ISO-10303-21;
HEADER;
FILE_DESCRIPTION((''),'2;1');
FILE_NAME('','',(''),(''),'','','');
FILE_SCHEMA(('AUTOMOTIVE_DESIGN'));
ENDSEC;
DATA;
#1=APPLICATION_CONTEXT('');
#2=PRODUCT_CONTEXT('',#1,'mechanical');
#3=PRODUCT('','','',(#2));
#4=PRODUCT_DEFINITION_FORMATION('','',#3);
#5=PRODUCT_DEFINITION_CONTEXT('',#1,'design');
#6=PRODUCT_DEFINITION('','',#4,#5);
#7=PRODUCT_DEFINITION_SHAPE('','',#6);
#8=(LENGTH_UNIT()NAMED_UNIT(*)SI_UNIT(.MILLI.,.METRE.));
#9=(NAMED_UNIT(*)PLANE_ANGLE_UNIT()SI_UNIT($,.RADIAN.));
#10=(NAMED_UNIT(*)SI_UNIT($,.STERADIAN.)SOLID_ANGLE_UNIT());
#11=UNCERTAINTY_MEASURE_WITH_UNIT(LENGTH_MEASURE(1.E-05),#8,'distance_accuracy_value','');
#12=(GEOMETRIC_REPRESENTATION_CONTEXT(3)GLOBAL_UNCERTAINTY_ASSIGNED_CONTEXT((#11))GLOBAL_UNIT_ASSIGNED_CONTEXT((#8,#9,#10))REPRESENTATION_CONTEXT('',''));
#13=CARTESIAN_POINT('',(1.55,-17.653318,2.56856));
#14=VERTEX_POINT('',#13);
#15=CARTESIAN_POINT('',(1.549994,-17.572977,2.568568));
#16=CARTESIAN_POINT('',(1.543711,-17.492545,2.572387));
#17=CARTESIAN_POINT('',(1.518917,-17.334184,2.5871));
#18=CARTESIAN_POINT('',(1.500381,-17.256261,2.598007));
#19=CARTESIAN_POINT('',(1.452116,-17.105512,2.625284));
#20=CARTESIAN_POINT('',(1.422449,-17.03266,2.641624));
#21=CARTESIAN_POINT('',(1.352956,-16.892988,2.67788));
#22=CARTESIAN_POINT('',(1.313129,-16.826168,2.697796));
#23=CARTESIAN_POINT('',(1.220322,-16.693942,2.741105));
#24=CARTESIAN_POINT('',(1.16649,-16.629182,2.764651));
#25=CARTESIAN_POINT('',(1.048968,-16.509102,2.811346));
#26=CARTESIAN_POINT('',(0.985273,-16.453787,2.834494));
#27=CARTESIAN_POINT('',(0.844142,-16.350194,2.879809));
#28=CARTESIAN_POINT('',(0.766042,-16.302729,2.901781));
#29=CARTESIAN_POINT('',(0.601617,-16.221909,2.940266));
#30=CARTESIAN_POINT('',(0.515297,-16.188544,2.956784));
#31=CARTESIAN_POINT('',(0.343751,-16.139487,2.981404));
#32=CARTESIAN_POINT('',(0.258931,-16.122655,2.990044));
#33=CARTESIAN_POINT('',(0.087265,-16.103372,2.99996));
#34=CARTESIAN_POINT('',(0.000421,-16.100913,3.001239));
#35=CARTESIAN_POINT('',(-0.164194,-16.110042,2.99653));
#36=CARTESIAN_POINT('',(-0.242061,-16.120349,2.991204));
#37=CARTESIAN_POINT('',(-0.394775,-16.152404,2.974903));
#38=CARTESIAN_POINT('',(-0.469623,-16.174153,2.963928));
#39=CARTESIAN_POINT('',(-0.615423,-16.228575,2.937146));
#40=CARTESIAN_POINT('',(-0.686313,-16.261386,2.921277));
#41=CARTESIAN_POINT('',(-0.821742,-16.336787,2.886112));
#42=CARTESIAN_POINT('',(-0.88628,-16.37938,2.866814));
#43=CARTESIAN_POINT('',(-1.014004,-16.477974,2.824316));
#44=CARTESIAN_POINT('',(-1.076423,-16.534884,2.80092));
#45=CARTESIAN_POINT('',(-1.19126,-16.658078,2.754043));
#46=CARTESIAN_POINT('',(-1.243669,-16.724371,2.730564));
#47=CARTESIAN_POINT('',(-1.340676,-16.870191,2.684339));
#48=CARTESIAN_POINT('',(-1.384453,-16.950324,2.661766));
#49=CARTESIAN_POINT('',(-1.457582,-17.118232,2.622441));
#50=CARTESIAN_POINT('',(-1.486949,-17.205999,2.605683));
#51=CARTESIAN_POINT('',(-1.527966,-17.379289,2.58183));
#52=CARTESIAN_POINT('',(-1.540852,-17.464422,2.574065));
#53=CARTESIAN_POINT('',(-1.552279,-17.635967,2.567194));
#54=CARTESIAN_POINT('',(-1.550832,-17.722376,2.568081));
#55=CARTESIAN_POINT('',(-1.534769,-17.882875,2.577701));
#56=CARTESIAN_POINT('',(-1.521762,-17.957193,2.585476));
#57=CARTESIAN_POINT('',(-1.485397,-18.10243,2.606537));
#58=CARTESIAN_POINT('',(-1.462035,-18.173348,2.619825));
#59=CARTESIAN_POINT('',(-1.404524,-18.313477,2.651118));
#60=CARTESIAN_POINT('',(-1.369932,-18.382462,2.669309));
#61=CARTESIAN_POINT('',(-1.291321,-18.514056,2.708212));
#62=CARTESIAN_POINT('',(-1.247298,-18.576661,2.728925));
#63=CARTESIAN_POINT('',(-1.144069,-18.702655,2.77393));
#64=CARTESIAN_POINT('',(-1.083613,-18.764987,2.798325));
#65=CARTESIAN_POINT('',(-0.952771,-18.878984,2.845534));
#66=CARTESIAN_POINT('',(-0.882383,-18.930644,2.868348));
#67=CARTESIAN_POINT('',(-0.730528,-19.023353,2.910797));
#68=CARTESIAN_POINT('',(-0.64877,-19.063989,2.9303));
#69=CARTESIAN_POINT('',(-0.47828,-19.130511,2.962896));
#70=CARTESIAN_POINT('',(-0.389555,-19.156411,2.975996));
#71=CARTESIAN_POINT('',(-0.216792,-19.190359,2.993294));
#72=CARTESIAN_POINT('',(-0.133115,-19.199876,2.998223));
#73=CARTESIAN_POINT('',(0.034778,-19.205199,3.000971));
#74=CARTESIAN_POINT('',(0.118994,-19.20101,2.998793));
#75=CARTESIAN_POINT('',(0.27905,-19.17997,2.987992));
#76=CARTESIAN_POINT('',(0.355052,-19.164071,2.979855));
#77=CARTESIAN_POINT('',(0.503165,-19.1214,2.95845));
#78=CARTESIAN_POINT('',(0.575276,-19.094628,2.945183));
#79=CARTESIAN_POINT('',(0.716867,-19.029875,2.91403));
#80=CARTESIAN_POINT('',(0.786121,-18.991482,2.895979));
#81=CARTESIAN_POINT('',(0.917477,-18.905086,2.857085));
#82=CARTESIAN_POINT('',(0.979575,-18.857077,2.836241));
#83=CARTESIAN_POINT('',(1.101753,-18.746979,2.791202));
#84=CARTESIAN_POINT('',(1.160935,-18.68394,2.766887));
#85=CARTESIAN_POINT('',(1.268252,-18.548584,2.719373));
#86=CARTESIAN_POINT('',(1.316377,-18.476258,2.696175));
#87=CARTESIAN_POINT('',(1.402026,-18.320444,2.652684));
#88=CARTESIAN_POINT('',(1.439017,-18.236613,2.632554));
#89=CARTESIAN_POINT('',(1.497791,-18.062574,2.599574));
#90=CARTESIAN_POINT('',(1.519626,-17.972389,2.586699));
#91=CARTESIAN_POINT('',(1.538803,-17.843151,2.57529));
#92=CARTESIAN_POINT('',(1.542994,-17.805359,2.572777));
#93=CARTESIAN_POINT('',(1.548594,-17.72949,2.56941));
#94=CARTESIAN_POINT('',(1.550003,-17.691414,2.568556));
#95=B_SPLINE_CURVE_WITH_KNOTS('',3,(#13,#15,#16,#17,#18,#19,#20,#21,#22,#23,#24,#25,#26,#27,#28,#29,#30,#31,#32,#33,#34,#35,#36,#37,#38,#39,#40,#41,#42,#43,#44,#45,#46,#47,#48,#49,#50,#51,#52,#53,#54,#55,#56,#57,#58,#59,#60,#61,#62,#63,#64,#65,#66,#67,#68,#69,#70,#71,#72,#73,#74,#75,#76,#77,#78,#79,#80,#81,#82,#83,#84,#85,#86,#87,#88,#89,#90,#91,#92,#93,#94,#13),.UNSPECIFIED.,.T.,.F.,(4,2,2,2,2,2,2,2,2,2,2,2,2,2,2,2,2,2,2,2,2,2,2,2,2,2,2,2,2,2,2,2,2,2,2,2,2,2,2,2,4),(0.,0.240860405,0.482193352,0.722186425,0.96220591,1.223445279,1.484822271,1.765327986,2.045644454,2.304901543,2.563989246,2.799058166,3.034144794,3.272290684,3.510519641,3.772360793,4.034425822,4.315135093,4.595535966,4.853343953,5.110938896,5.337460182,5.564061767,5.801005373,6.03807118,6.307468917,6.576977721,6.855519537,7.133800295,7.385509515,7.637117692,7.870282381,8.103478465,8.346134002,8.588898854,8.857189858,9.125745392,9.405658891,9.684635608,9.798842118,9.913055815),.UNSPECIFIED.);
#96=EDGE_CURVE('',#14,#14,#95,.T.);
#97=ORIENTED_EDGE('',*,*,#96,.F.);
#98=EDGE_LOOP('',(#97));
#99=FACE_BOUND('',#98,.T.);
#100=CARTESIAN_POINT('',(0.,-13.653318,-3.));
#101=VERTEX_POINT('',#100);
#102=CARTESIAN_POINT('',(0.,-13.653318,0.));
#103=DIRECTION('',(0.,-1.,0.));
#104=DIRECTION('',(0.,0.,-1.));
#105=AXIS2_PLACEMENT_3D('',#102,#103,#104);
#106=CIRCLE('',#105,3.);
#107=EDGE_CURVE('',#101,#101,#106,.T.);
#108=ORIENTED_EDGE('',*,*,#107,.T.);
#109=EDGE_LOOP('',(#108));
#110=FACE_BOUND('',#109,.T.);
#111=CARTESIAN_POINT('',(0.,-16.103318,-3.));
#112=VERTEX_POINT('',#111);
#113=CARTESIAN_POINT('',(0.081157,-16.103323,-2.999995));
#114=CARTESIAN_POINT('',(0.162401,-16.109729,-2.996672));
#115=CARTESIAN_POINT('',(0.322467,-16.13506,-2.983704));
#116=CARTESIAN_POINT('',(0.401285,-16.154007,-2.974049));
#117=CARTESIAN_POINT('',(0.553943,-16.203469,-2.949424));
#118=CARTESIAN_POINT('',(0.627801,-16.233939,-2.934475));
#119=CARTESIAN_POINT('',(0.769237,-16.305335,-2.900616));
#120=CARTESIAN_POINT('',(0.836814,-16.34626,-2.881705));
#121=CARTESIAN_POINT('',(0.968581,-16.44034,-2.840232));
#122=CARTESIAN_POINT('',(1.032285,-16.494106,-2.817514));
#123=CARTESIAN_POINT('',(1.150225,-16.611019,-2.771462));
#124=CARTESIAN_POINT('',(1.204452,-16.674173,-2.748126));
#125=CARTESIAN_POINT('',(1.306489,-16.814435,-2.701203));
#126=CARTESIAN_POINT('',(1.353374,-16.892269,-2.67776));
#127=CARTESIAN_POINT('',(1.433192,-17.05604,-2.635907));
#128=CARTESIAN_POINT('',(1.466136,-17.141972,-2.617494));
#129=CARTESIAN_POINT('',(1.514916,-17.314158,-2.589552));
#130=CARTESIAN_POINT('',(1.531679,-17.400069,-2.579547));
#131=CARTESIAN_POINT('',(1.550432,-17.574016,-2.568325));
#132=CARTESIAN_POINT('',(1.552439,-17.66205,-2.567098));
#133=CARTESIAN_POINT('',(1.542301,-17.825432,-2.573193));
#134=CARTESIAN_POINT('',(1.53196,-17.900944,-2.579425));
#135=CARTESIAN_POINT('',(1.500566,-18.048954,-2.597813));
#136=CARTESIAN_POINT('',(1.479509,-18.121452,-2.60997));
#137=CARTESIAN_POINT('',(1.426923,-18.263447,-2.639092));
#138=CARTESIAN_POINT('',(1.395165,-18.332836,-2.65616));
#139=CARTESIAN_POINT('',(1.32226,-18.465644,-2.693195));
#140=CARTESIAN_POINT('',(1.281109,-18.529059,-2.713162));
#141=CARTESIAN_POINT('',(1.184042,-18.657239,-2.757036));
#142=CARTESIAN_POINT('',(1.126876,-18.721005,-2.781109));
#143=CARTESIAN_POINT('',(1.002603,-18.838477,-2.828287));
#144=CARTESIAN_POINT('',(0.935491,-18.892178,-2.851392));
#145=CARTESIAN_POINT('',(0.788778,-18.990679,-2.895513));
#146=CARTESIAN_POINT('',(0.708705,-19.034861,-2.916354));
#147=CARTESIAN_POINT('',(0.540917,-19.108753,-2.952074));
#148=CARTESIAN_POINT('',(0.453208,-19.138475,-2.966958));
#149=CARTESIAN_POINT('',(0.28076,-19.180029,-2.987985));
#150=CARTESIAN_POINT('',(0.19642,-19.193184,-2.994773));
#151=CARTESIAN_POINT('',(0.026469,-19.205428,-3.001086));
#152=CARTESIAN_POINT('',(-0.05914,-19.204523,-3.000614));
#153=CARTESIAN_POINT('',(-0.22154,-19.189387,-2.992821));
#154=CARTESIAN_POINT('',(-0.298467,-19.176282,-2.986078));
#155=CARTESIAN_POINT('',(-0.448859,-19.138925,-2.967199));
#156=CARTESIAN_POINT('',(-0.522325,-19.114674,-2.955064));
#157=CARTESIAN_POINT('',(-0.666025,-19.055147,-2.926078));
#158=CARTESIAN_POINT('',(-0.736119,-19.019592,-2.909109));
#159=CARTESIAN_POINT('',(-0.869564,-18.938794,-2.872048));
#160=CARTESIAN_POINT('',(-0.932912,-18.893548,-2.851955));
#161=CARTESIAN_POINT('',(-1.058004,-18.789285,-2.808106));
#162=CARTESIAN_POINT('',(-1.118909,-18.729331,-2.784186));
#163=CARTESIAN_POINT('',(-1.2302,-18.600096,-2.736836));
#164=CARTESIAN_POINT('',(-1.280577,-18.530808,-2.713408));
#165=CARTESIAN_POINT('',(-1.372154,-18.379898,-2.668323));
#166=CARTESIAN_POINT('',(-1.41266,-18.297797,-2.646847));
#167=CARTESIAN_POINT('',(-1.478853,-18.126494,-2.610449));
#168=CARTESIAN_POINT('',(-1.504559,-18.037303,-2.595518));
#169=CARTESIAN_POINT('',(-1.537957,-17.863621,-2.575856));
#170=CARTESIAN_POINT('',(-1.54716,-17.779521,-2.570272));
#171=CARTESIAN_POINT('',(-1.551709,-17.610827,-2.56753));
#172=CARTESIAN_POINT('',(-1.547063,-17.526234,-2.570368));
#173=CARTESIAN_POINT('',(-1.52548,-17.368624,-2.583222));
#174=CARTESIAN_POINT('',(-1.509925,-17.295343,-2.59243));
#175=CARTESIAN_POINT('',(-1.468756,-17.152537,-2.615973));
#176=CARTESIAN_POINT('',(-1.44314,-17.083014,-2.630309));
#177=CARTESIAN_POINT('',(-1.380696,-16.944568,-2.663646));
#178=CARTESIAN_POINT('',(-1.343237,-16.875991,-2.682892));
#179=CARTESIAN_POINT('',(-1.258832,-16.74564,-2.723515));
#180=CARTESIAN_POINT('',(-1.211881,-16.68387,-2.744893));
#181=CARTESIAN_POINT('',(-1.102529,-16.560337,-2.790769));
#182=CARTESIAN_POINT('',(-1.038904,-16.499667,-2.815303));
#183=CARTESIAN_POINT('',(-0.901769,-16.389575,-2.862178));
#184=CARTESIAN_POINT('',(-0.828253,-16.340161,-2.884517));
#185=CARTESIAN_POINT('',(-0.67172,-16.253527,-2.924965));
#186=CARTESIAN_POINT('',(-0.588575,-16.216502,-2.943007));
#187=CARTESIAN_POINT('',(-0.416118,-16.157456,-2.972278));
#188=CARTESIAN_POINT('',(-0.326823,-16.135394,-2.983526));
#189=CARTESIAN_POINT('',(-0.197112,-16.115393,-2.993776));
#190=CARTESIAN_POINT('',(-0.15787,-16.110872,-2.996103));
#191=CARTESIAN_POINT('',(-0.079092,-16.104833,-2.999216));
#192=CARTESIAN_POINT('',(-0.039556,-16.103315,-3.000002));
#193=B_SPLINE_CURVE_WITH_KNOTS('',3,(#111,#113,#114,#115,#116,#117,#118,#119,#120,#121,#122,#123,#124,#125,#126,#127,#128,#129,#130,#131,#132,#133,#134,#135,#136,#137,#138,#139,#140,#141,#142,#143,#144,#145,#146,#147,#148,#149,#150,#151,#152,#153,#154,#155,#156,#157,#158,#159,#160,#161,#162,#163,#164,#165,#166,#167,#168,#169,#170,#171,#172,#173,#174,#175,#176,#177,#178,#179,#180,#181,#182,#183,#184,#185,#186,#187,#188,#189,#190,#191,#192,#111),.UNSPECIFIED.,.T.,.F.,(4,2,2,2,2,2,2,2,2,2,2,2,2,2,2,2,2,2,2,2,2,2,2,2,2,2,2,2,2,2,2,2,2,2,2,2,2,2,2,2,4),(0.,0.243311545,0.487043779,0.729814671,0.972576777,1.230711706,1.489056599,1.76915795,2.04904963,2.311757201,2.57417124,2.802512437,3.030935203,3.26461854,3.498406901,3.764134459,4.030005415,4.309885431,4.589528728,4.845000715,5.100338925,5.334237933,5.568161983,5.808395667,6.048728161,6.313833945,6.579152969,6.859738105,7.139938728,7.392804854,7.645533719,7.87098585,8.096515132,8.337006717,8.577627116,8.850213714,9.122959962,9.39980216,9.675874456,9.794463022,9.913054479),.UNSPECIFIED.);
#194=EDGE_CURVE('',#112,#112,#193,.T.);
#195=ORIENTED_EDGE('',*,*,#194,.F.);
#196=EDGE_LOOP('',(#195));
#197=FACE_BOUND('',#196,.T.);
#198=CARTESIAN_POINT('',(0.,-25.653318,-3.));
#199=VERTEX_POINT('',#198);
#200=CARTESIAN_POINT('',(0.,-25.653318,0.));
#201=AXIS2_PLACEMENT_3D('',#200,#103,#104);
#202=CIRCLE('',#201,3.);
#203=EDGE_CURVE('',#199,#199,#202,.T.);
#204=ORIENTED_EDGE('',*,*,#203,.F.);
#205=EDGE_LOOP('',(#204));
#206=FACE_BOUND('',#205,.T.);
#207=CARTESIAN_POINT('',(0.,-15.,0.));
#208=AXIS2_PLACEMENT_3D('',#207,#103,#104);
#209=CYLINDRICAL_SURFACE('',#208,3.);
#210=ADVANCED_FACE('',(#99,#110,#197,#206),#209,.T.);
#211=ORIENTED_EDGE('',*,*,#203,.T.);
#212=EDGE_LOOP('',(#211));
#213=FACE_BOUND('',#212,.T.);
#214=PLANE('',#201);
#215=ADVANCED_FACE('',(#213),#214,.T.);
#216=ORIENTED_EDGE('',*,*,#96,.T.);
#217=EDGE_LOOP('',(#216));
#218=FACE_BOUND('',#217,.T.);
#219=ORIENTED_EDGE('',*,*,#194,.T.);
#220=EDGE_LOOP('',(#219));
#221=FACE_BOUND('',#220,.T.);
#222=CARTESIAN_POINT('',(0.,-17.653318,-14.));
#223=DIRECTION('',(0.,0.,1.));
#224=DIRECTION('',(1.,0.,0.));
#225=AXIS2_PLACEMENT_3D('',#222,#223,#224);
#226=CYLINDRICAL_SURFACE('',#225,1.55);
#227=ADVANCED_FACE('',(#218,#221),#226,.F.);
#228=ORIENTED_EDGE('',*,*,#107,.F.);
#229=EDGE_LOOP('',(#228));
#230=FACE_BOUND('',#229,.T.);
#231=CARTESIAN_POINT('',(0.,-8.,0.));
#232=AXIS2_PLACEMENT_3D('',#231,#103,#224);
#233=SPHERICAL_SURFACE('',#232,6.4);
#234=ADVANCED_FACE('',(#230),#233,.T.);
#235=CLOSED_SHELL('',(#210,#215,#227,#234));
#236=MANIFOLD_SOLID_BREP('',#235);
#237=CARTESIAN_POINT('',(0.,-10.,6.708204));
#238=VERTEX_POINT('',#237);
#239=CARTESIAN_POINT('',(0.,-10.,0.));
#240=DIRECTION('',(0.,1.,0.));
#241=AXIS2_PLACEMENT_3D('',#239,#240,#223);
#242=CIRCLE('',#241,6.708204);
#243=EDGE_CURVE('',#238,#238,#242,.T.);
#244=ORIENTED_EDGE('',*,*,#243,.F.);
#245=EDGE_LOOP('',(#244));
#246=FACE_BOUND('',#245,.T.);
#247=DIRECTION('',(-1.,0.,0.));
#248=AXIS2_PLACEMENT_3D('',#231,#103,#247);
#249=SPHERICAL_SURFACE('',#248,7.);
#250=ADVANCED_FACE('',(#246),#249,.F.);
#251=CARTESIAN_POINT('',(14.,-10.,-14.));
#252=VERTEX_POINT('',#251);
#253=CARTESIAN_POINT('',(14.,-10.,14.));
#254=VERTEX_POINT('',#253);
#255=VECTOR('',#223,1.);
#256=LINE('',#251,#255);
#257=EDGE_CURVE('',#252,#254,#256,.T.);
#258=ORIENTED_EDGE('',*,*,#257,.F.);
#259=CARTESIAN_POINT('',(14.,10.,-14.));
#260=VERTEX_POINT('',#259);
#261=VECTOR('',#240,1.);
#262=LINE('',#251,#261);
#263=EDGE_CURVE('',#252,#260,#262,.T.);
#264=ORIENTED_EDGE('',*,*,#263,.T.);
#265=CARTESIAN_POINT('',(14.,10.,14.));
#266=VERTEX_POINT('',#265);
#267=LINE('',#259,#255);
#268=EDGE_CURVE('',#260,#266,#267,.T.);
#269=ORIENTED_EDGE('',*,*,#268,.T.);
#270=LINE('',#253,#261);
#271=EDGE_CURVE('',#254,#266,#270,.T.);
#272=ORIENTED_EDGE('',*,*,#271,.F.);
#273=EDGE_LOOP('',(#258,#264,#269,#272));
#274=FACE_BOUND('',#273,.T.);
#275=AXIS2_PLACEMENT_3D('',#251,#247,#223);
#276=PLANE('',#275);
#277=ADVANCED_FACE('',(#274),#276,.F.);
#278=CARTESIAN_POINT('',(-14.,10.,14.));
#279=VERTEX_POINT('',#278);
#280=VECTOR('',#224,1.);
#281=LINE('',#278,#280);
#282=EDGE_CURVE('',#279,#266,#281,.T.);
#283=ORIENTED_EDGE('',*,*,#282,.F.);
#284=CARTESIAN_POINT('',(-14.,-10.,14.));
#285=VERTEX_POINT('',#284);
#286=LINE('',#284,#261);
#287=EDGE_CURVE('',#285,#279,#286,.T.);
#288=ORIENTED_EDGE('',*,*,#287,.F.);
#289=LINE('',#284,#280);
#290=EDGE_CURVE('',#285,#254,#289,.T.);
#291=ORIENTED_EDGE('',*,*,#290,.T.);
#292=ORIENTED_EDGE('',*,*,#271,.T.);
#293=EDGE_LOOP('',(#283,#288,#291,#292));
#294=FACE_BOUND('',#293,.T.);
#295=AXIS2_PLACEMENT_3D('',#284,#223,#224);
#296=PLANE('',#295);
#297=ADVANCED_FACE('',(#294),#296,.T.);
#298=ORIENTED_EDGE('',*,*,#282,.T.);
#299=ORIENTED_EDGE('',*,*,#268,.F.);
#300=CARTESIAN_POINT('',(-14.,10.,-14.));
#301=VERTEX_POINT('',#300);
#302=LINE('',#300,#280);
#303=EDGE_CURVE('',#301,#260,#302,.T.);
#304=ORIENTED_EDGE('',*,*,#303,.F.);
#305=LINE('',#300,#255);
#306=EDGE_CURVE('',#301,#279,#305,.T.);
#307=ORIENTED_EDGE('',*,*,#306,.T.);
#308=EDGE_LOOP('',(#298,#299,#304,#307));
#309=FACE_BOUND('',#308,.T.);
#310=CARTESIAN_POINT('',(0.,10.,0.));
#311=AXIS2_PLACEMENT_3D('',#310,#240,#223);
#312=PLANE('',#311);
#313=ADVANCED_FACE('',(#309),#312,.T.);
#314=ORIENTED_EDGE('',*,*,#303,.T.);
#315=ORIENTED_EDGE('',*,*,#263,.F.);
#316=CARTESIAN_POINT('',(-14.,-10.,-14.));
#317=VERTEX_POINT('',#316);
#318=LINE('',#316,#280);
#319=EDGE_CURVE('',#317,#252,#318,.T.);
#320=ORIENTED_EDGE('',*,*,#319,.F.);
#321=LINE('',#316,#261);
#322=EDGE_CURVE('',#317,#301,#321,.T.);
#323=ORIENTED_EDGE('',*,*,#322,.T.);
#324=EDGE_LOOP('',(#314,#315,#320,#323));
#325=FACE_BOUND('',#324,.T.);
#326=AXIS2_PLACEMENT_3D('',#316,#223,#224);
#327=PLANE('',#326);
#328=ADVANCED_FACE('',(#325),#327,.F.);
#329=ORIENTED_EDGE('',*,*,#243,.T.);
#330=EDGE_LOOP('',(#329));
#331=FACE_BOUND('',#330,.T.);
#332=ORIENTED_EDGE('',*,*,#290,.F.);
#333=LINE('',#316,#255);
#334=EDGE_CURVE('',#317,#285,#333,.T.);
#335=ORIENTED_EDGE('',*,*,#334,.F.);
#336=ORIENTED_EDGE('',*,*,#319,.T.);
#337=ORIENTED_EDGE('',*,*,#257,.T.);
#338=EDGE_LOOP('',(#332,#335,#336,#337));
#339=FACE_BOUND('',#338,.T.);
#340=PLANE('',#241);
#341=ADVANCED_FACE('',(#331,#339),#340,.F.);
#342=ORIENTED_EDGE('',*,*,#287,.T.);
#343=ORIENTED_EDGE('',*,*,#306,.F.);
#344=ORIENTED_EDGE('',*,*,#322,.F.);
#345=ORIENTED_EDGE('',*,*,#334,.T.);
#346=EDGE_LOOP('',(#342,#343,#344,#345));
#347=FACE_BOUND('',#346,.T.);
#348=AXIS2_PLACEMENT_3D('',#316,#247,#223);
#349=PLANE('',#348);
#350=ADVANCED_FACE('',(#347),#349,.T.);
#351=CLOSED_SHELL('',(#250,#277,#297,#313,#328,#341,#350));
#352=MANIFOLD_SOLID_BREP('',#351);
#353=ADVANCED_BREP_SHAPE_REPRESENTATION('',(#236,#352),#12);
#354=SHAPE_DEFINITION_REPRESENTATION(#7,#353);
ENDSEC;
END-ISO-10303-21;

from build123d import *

# Parameters (mm, degrees)
SKETCH1_W               = 28
SKETCH1_H               = 28
BOSS_EXTRUDE1_DEPTH     = 10
CUT_EXTRUDE1_DEPTH      = 41.473357958
CUT_EXTRUDE1_DEPTH_BACK = 41.473357958
SKETCH4_R               = 1.55


with BuildPart() as part:
    # Sketch1 → Boss-Extrude1 (new, symmetric)
    with BuildSketch(Plane(origin=(0, 0, 0), x_dir=(1, 0, 0), z_dir=(0, 1, 0))):
        Rectangle(SKETCH1_W, SKETCH1_H)
    extrude(amount=BOSS_EXTRUDE1_DEPTH, both=True)

    # Sketch2 → Cut-Revolve1 (revolve, cut)
    with BuildSketch(Plane.XY):
        with BuildLine():
            Line((0, -15), (0, -1))
            ThreePointArc((0, -1), (7, -8), (0, -15))
        make_face()
    revolve(axis=Axis((0, -15, 0), (0, 1, 0)), mode=Mode.SUBTRACT)


with BuildPart() as body_2:
    # Sketch3 → Revolve1 (revolve)
    with BuildSketch(Plane.XY, mode=Mode.PRIVATE) as revolve1_sk:
        with BuildLine():
            Line((0, -1.6), (0, -14.4))
            Line((0, -14.4), (0, -25.65331761))
            Line((0, -25.65331761), (3, -25.65331761))
            Line((3, -25.65331761), (3, -13.65331761))
            ThreePointArc((3, -13.65331761), (6.210524644, -6.454236872), (0, -1.6))
        make_face()
    revolve(revolve1_sk.sketch.rotate(Axis((0, -15, 0), (0, 1, 0)), 90), axis=Axis((0, -15, 0), (0, 1, 0)))

    # Sketch4 → Cut-Extrude1 (cut, two sides: drawn at the far end of the back side and taken through both)
    with BuildSketch(Plane.XY.offset(14).offset(-CUT_EXTRUDE1_DEPTH_BACK)):
        with Locations((0, -17.65331761)):
            Circle(SKETCH4_R)
    extrude(amount=CUT_EXTRUDE1_DEPTH + CUT_EXTRUDE1_DEPTH_BACK, mode=Mode.SUBTRACT)


solid = Compound([part.part, body_2.part])
